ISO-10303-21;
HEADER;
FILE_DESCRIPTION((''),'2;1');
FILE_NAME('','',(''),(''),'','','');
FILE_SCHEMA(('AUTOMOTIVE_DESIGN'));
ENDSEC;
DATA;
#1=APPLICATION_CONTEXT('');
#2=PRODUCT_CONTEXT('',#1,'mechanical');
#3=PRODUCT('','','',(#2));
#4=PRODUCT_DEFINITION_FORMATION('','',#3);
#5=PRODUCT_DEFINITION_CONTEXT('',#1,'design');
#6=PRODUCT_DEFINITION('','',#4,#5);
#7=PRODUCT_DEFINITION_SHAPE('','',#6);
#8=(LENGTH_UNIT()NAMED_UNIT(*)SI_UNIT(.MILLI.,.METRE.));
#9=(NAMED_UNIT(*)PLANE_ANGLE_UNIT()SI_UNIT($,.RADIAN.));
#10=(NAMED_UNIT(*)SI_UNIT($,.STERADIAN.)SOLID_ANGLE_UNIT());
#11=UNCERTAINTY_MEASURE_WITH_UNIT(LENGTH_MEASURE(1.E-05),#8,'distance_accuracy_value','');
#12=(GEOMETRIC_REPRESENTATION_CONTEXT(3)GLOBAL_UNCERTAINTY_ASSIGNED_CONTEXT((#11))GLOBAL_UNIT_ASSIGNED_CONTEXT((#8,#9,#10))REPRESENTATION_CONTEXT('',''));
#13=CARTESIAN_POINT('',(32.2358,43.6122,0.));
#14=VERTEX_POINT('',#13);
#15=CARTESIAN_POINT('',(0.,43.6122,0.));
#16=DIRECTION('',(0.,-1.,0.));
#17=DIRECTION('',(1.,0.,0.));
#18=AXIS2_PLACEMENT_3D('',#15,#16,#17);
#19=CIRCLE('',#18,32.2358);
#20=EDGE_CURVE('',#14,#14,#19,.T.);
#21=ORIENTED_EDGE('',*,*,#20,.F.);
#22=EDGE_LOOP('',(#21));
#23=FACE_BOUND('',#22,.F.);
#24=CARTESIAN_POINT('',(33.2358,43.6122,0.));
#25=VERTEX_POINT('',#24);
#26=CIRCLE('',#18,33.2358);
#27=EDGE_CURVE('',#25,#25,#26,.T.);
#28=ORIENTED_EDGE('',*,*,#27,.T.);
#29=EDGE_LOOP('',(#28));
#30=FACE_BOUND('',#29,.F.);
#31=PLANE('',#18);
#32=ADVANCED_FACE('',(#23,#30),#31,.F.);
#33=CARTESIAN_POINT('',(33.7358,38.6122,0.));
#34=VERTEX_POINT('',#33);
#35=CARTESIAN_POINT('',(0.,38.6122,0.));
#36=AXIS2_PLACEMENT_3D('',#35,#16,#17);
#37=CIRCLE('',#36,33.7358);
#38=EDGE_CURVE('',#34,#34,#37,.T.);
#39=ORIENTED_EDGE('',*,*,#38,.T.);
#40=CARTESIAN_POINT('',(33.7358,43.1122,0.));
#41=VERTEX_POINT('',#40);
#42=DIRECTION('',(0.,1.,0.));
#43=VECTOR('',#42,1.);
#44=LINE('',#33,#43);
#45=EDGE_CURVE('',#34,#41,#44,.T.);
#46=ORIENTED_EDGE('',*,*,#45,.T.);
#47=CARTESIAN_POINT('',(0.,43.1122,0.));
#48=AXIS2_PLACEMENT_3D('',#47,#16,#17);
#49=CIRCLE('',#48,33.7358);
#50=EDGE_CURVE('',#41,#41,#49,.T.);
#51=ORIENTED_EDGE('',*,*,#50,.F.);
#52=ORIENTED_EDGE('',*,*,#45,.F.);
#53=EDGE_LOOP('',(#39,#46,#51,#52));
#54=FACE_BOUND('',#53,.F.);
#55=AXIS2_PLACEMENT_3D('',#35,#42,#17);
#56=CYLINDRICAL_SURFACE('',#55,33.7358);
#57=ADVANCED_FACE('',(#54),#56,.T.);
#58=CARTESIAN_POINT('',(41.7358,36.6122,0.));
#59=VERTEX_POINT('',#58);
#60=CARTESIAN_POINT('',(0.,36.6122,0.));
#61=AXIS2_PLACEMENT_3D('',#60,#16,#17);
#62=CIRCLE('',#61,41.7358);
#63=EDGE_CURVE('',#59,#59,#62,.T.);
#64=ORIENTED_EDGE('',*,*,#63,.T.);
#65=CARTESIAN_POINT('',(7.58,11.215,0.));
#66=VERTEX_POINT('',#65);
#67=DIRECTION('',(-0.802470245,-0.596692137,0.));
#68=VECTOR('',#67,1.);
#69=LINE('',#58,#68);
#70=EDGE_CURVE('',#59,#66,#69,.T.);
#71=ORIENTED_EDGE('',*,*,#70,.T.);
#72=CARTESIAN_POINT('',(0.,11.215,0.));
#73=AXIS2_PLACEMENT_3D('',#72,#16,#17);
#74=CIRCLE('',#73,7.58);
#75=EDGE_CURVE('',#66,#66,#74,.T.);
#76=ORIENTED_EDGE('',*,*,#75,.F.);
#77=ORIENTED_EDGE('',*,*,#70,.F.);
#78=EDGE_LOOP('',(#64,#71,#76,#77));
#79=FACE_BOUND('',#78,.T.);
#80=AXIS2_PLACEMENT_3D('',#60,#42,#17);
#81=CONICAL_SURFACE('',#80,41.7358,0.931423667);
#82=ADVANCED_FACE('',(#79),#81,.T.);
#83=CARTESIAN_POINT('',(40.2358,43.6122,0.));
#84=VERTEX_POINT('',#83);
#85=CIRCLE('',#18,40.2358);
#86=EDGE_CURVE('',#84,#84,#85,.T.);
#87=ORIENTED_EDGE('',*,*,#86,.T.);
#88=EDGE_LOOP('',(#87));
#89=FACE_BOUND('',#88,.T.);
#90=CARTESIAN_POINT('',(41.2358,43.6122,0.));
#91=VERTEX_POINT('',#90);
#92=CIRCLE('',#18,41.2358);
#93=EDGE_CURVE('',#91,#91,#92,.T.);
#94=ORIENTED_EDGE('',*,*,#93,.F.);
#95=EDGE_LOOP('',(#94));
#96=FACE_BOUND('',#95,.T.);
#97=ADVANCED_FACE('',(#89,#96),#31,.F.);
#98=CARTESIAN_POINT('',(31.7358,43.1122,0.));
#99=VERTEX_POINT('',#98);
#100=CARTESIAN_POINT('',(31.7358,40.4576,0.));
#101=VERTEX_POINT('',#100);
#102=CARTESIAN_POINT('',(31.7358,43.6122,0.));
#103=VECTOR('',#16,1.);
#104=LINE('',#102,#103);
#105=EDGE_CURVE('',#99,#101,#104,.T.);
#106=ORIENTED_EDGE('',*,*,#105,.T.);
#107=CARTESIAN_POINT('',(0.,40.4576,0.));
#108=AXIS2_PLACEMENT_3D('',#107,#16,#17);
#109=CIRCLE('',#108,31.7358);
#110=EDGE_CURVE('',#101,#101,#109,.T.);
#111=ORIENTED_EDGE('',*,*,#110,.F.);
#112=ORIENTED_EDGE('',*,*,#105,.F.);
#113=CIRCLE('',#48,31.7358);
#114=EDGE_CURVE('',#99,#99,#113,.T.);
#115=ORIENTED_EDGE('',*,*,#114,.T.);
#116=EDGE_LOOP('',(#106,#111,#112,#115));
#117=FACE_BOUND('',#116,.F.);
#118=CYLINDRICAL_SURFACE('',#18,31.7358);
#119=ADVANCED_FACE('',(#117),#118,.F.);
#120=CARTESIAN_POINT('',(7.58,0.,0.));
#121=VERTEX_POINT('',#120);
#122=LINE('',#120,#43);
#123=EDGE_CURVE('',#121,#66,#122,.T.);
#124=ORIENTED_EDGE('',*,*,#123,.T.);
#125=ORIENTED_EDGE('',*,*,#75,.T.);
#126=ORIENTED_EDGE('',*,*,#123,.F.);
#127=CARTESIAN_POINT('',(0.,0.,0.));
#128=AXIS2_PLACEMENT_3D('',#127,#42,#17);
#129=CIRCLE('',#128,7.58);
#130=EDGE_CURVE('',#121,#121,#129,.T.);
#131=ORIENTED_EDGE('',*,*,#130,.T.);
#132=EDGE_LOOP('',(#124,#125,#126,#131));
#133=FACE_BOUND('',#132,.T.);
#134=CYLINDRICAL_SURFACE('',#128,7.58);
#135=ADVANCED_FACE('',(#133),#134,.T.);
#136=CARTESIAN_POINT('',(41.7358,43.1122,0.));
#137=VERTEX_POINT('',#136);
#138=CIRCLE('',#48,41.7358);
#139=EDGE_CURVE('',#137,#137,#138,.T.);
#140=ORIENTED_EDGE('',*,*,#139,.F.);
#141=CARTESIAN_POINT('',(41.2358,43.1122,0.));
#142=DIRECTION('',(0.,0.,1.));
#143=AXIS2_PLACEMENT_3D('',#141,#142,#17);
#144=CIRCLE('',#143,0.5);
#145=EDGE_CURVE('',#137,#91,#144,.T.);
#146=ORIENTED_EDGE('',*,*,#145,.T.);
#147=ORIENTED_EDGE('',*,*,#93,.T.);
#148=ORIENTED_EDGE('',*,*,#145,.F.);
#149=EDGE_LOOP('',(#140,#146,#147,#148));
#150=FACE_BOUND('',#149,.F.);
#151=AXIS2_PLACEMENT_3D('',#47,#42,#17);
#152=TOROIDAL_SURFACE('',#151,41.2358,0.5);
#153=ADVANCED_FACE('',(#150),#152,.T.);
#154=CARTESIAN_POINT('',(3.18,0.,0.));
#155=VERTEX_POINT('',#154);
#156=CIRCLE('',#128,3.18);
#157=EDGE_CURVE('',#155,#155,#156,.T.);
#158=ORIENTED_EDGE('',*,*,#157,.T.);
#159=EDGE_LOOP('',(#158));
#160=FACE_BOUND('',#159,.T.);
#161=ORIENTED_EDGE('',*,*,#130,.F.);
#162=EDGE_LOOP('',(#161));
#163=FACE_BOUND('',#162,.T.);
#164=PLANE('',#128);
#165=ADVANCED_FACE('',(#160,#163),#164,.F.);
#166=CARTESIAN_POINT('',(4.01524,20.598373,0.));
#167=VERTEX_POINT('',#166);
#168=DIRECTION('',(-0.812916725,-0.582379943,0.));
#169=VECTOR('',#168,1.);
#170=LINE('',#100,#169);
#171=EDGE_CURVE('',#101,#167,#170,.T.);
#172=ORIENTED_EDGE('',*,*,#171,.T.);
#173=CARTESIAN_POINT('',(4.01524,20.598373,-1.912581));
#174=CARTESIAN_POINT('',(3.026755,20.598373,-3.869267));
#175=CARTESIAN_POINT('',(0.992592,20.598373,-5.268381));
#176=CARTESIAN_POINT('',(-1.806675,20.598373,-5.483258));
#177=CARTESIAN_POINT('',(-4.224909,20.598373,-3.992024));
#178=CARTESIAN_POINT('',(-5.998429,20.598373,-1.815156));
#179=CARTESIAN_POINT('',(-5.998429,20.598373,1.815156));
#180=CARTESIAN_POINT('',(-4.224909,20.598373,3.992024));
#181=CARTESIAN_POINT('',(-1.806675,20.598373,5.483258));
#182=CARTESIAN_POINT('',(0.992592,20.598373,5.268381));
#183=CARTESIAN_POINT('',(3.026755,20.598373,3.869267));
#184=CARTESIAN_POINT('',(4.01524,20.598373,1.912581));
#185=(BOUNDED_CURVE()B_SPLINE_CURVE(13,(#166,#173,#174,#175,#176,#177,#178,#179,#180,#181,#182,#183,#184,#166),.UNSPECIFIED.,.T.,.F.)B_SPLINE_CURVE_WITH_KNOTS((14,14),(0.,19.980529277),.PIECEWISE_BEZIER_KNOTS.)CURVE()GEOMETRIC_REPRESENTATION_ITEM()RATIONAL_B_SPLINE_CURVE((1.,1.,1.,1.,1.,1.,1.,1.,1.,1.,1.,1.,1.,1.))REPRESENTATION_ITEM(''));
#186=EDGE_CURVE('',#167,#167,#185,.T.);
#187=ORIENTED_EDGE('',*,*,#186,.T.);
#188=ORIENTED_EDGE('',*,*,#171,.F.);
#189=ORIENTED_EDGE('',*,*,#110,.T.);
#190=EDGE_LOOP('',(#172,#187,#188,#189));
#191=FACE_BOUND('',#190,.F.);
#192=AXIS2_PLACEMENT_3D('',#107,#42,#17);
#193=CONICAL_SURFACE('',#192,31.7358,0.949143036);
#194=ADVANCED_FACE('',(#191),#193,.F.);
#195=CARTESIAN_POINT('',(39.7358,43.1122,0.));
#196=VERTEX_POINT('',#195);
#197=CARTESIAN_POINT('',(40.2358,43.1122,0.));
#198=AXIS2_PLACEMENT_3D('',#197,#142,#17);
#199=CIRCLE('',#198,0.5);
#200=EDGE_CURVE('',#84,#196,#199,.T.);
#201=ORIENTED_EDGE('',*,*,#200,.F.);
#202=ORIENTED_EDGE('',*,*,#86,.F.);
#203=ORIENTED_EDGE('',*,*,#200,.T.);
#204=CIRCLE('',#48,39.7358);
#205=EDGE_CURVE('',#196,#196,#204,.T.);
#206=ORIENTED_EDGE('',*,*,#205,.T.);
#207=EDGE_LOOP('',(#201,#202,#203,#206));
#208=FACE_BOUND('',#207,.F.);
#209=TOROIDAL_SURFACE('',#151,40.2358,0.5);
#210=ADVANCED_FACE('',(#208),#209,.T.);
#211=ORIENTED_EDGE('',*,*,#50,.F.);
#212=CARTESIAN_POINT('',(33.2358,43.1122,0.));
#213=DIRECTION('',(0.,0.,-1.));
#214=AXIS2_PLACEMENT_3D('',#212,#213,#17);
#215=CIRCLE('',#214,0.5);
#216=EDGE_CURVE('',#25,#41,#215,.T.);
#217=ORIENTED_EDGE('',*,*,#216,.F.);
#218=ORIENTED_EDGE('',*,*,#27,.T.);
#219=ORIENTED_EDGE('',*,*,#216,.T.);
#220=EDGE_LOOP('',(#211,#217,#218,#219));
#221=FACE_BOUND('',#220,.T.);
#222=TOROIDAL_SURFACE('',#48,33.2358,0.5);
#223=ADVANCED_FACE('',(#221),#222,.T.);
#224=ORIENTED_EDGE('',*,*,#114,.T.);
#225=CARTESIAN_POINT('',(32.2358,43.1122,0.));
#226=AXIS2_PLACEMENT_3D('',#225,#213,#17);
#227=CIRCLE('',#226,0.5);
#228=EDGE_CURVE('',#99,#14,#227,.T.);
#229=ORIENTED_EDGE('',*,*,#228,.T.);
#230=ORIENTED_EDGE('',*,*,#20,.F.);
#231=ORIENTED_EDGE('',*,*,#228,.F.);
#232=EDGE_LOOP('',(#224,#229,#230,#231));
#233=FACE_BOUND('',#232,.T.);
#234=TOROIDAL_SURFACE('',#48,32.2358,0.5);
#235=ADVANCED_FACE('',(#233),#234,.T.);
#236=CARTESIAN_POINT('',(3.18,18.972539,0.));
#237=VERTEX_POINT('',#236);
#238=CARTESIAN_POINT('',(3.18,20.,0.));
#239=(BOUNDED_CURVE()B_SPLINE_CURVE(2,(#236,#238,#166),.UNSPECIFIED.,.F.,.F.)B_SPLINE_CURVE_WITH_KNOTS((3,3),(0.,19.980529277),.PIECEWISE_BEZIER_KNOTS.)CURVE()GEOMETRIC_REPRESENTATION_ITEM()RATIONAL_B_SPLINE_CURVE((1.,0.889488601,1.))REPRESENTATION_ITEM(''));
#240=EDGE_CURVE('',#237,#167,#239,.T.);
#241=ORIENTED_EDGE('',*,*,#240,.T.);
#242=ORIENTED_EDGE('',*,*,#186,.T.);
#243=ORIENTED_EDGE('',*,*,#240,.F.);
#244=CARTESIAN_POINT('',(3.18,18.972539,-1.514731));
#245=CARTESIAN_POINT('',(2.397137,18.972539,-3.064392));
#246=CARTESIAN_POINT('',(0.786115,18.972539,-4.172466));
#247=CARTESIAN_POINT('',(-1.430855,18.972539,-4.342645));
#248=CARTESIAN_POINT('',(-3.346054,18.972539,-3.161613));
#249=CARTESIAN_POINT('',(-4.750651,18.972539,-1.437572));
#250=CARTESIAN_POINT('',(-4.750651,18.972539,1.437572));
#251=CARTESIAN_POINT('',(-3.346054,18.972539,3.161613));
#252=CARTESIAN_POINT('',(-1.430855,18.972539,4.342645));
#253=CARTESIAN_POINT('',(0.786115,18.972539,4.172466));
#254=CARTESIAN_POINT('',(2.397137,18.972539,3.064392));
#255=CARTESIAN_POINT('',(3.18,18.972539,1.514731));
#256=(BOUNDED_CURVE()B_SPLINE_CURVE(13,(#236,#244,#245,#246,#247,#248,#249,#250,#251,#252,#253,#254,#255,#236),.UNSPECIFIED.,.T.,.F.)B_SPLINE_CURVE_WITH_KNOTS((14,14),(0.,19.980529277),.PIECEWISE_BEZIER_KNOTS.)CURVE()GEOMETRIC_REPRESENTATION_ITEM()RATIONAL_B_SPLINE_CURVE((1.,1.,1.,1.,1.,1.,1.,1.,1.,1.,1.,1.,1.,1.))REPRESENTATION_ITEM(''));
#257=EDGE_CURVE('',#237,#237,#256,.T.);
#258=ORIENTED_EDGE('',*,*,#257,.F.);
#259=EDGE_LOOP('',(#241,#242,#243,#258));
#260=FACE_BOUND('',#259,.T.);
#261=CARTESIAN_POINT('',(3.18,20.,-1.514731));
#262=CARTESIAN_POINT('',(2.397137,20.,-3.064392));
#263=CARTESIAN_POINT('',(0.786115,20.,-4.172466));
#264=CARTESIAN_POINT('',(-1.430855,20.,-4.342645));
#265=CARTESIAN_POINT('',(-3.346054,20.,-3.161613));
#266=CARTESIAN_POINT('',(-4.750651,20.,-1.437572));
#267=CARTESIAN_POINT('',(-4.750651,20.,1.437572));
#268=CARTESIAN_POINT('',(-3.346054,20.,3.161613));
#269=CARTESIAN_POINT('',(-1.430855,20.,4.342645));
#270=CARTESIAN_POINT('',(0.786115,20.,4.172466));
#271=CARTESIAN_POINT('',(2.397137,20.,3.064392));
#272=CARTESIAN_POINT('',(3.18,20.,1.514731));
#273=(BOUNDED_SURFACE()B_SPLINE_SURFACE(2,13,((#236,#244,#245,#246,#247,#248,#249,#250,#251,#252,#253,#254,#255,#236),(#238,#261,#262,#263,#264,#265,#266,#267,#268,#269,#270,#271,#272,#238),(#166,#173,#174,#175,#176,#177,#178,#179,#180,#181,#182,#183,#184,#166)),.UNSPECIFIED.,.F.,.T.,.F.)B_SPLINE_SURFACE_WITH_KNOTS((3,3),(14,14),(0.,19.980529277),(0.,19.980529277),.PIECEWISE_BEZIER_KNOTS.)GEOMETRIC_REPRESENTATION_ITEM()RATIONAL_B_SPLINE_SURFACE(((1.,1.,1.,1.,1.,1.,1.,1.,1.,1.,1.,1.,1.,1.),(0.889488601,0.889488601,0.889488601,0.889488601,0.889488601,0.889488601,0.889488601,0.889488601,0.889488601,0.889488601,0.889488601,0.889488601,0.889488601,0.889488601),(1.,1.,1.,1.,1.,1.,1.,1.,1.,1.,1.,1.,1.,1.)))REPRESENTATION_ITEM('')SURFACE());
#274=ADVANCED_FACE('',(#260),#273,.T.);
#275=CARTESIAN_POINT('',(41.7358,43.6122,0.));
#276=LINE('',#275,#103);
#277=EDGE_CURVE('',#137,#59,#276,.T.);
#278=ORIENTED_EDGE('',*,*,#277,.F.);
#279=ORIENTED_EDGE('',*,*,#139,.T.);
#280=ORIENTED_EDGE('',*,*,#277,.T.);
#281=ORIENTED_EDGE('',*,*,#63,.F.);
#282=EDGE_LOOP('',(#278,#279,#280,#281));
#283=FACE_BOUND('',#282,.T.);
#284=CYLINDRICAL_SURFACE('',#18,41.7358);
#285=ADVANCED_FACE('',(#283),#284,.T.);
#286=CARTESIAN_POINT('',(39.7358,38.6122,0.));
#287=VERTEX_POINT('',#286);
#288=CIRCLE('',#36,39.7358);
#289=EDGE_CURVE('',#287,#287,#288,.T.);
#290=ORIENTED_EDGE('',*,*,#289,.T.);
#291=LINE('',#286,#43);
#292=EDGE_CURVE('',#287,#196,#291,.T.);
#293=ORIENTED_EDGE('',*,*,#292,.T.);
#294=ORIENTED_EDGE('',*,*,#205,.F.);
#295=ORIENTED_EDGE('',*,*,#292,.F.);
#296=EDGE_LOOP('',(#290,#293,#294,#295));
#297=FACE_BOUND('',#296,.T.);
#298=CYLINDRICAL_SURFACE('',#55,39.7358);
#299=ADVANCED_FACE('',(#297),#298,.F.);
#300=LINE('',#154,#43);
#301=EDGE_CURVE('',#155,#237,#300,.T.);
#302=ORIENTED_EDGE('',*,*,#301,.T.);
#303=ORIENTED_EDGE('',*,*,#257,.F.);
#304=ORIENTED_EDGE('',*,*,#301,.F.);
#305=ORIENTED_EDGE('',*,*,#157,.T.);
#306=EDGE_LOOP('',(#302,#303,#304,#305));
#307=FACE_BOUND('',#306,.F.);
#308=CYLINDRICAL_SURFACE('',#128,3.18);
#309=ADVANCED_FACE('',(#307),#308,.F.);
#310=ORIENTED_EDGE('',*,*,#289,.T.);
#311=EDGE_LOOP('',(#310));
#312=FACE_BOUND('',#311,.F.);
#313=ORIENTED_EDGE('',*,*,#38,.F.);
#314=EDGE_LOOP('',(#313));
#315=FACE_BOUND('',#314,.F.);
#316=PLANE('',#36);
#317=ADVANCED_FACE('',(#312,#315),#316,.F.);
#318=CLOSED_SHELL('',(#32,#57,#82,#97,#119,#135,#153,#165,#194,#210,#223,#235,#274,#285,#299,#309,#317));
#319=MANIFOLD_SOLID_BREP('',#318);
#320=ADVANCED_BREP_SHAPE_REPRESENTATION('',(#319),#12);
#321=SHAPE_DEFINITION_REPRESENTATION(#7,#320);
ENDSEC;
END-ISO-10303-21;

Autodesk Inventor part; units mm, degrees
ref_plane "YZ Plane" through (0, 0, 0) normal (1, 0, 0) x (0, 1, 0)
ref_plane "XZ Plane" through (0, 0, 0) normal (0, 1, 0) x (-1, 0, 0)
ref_plane "XY Plane" through (0, 0, 0) normal (0, 0, 1) x (1, 0, 0)
sketch "Sketch1" plane through (0, 0, 0) normal (0, 0, 1) x (1, 0, 0)
  line L0 (0, -91.8925) -> (0, 152.1979) construction
  line L1 (3.18, 0) -> (7.58, 0)
  line L2 (7.58, 0) -> (7.58, 20)
  line L3 (7.58, 20) -> (3.18, 20)
  line L4 (3.18, 0) -> (3.18, 20)
  point P0 (0, 0)
  dimension "d1" = 3.18
  dimension "d2" = 20
  dimension "d17" = 4.4
  dimension "d18" = 7.58
revolve "Revolution1" add sketch "Sketch1" angle 360 about axis through (0, -91.8925, 0) along (0, 1, 0)
sketch "Sketch2" plane through (0, 0, 0) normal (0, 0, 1) x (1, 0, 0)
  line L0 (3.18, 0) -> (3.18, 20) projected
  line L1 (-7.58, 20) -> (7.58, 20) construction
  line L2 (7.58, 20) -> (42.58, 20) construction
  line L3 (7.58, 20) -> (7.58, 0) projected
  line L4 (38.7358, 38.6122) -> (39.7358, 38.6122)
  line L5 (38.7358, 38.6122) -> (33.7358, 38.6122)
  line L6 (39.7358, 38.6122) -> (39.7358, 43.6122)
  line L7 (33.7358, 38.6122) -> (33.7358, 43.6122)
  line L8 (39.7358, 43.6122) -> (41.7358, 43.6122)
  line L9 (41.7358, 43.6122) -> (41.7358, 36.6122)
  line L10 (41.7358, 36.6122) -> (7.58, 11.215)
  line L11 (33.7358, 43.6122) -> (31.7358, 43.6122)
  line L12 (3.18, 20) -> (7.58, 20)
  line L13 (7.58, 11.215) -> (7.58, 20)
  line L14 (0, 30.8602) -> (0, -63.1044)
  line L15 (31.7358, 43.6122) -> (31.7358, 40.4576)
  line L16 (31.7358, 40.4576) -> (3.18, 20)
  point P0 (0, 0)
  dimension "d6" = 35
  dimension "d7" = 1
  dimension "d8" = 5
  dimension "d9" = 5
  dimension "d10" = 5
  dimension "d11" = 2
  dimension "d12" = 7
  dimension "d13" = 2
revolve "Revolution2" add sketch "Sketch2" angle 360 about axis through (0, 30.8602, 0) along (0, -1, 0)
fillet "Fillet1" radius 2 1 edges at (-3.18, 20, 0)
fillet "Fillet2" radius 0.5 4 edges at (-31.7358, 43.6122, 0) (-33.7358, 43.6122, 0) (-39.7358, 43.6122, 0) (-41.7358, 43.6122, 0)
properties part number "Drain Funnel v0.6.2"
